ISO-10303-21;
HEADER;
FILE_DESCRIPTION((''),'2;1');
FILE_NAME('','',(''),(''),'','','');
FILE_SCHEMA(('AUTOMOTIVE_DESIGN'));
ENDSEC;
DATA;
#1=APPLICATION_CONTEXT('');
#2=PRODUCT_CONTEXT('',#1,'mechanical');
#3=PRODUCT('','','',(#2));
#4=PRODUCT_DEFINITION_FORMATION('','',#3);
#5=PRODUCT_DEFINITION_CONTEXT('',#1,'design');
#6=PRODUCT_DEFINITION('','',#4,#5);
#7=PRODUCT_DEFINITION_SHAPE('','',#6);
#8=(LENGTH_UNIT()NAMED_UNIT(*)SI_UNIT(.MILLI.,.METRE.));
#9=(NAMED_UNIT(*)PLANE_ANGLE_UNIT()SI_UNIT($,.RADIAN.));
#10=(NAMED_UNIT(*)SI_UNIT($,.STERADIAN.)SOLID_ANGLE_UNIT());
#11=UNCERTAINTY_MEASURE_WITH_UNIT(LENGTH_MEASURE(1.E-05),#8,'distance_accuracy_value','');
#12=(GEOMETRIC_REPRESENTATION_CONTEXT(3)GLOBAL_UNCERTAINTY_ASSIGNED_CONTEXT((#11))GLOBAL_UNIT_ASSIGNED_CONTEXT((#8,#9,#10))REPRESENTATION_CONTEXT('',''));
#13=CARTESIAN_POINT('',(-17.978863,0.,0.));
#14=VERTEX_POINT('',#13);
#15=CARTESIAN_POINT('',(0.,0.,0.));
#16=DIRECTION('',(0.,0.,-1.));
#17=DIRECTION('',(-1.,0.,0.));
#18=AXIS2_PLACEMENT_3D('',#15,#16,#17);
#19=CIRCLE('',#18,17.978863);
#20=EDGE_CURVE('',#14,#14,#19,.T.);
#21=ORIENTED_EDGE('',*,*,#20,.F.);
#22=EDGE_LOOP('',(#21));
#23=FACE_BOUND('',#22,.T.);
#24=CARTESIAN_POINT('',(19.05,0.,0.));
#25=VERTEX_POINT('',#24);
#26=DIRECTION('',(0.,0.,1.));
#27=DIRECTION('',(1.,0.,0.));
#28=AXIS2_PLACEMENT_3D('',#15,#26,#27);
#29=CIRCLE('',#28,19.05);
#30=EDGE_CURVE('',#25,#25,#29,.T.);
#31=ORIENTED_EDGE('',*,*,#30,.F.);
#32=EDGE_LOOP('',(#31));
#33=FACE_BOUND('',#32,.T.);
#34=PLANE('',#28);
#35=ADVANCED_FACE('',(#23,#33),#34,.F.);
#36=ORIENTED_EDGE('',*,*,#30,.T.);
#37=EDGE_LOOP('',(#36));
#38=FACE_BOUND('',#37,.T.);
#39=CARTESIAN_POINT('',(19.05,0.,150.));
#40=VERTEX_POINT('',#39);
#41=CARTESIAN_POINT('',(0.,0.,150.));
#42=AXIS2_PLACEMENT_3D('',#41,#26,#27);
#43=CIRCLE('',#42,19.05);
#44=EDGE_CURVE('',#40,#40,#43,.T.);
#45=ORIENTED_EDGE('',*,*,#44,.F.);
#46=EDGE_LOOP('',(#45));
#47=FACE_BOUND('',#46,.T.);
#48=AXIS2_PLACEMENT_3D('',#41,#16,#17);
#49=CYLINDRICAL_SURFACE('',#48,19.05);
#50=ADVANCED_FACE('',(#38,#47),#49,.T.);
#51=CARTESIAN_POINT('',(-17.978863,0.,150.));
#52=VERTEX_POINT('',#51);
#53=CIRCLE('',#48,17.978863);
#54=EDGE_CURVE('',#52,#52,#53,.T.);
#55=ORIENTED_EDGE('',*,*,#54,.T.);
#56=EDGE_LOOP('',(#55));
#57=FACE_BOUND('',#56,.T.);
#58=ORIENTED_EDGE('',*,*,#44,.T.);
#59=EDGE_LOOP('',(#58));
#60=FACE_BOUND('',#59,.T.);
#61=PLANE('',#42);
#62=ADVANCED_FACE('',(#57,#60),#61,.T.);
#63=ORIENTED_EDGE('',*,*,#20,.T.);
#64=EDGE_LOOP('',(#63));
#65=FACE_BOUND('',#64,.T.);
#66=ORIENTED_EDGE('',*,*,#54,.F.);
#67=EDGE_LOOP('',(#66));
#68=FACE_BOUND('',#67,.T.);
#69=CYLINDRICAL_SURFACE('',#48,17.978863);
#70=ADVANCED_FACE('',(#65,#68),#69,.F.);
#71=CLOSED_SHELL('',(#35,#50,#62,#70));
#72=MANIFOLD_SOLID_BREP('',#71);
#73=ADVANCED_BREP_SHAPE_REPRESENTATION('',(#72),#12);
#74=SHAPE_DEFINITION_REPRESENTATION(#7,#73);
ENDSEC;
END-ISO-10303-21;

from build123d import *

# Parameters (mm, degrees)
CROQUIS1_R              = 19.05
SALIENTE_EXTRUIR1_DEPTH = 150
CROQUIS2_R              = 17.9788625
CORTAR_EXTRUIR1_DEPTH   = 150


with BuildPart() as part:
    # Croquis1 → Saliente-Extruir1 (new body)
    with BuildSketch(Plane.XY):
        Circle(CROQUIS1_R)
    extrude(amount=SALIENTE_EXTRUIR1_DEPTH)

    # Croquis2 → Cortar-Extruir1 (cut)
    with BuildSketch(Plane(origin=(0, 0, 0), x_dir=(-1, 0, 0), z_dir=(0, 0, -1))):
        Circle(CROQUIS2_R)
    extrude(amount=-CORTAR_EXTRUIR1_DEPTH, mode=Mode.SUBTRACT)


solid = part.part
